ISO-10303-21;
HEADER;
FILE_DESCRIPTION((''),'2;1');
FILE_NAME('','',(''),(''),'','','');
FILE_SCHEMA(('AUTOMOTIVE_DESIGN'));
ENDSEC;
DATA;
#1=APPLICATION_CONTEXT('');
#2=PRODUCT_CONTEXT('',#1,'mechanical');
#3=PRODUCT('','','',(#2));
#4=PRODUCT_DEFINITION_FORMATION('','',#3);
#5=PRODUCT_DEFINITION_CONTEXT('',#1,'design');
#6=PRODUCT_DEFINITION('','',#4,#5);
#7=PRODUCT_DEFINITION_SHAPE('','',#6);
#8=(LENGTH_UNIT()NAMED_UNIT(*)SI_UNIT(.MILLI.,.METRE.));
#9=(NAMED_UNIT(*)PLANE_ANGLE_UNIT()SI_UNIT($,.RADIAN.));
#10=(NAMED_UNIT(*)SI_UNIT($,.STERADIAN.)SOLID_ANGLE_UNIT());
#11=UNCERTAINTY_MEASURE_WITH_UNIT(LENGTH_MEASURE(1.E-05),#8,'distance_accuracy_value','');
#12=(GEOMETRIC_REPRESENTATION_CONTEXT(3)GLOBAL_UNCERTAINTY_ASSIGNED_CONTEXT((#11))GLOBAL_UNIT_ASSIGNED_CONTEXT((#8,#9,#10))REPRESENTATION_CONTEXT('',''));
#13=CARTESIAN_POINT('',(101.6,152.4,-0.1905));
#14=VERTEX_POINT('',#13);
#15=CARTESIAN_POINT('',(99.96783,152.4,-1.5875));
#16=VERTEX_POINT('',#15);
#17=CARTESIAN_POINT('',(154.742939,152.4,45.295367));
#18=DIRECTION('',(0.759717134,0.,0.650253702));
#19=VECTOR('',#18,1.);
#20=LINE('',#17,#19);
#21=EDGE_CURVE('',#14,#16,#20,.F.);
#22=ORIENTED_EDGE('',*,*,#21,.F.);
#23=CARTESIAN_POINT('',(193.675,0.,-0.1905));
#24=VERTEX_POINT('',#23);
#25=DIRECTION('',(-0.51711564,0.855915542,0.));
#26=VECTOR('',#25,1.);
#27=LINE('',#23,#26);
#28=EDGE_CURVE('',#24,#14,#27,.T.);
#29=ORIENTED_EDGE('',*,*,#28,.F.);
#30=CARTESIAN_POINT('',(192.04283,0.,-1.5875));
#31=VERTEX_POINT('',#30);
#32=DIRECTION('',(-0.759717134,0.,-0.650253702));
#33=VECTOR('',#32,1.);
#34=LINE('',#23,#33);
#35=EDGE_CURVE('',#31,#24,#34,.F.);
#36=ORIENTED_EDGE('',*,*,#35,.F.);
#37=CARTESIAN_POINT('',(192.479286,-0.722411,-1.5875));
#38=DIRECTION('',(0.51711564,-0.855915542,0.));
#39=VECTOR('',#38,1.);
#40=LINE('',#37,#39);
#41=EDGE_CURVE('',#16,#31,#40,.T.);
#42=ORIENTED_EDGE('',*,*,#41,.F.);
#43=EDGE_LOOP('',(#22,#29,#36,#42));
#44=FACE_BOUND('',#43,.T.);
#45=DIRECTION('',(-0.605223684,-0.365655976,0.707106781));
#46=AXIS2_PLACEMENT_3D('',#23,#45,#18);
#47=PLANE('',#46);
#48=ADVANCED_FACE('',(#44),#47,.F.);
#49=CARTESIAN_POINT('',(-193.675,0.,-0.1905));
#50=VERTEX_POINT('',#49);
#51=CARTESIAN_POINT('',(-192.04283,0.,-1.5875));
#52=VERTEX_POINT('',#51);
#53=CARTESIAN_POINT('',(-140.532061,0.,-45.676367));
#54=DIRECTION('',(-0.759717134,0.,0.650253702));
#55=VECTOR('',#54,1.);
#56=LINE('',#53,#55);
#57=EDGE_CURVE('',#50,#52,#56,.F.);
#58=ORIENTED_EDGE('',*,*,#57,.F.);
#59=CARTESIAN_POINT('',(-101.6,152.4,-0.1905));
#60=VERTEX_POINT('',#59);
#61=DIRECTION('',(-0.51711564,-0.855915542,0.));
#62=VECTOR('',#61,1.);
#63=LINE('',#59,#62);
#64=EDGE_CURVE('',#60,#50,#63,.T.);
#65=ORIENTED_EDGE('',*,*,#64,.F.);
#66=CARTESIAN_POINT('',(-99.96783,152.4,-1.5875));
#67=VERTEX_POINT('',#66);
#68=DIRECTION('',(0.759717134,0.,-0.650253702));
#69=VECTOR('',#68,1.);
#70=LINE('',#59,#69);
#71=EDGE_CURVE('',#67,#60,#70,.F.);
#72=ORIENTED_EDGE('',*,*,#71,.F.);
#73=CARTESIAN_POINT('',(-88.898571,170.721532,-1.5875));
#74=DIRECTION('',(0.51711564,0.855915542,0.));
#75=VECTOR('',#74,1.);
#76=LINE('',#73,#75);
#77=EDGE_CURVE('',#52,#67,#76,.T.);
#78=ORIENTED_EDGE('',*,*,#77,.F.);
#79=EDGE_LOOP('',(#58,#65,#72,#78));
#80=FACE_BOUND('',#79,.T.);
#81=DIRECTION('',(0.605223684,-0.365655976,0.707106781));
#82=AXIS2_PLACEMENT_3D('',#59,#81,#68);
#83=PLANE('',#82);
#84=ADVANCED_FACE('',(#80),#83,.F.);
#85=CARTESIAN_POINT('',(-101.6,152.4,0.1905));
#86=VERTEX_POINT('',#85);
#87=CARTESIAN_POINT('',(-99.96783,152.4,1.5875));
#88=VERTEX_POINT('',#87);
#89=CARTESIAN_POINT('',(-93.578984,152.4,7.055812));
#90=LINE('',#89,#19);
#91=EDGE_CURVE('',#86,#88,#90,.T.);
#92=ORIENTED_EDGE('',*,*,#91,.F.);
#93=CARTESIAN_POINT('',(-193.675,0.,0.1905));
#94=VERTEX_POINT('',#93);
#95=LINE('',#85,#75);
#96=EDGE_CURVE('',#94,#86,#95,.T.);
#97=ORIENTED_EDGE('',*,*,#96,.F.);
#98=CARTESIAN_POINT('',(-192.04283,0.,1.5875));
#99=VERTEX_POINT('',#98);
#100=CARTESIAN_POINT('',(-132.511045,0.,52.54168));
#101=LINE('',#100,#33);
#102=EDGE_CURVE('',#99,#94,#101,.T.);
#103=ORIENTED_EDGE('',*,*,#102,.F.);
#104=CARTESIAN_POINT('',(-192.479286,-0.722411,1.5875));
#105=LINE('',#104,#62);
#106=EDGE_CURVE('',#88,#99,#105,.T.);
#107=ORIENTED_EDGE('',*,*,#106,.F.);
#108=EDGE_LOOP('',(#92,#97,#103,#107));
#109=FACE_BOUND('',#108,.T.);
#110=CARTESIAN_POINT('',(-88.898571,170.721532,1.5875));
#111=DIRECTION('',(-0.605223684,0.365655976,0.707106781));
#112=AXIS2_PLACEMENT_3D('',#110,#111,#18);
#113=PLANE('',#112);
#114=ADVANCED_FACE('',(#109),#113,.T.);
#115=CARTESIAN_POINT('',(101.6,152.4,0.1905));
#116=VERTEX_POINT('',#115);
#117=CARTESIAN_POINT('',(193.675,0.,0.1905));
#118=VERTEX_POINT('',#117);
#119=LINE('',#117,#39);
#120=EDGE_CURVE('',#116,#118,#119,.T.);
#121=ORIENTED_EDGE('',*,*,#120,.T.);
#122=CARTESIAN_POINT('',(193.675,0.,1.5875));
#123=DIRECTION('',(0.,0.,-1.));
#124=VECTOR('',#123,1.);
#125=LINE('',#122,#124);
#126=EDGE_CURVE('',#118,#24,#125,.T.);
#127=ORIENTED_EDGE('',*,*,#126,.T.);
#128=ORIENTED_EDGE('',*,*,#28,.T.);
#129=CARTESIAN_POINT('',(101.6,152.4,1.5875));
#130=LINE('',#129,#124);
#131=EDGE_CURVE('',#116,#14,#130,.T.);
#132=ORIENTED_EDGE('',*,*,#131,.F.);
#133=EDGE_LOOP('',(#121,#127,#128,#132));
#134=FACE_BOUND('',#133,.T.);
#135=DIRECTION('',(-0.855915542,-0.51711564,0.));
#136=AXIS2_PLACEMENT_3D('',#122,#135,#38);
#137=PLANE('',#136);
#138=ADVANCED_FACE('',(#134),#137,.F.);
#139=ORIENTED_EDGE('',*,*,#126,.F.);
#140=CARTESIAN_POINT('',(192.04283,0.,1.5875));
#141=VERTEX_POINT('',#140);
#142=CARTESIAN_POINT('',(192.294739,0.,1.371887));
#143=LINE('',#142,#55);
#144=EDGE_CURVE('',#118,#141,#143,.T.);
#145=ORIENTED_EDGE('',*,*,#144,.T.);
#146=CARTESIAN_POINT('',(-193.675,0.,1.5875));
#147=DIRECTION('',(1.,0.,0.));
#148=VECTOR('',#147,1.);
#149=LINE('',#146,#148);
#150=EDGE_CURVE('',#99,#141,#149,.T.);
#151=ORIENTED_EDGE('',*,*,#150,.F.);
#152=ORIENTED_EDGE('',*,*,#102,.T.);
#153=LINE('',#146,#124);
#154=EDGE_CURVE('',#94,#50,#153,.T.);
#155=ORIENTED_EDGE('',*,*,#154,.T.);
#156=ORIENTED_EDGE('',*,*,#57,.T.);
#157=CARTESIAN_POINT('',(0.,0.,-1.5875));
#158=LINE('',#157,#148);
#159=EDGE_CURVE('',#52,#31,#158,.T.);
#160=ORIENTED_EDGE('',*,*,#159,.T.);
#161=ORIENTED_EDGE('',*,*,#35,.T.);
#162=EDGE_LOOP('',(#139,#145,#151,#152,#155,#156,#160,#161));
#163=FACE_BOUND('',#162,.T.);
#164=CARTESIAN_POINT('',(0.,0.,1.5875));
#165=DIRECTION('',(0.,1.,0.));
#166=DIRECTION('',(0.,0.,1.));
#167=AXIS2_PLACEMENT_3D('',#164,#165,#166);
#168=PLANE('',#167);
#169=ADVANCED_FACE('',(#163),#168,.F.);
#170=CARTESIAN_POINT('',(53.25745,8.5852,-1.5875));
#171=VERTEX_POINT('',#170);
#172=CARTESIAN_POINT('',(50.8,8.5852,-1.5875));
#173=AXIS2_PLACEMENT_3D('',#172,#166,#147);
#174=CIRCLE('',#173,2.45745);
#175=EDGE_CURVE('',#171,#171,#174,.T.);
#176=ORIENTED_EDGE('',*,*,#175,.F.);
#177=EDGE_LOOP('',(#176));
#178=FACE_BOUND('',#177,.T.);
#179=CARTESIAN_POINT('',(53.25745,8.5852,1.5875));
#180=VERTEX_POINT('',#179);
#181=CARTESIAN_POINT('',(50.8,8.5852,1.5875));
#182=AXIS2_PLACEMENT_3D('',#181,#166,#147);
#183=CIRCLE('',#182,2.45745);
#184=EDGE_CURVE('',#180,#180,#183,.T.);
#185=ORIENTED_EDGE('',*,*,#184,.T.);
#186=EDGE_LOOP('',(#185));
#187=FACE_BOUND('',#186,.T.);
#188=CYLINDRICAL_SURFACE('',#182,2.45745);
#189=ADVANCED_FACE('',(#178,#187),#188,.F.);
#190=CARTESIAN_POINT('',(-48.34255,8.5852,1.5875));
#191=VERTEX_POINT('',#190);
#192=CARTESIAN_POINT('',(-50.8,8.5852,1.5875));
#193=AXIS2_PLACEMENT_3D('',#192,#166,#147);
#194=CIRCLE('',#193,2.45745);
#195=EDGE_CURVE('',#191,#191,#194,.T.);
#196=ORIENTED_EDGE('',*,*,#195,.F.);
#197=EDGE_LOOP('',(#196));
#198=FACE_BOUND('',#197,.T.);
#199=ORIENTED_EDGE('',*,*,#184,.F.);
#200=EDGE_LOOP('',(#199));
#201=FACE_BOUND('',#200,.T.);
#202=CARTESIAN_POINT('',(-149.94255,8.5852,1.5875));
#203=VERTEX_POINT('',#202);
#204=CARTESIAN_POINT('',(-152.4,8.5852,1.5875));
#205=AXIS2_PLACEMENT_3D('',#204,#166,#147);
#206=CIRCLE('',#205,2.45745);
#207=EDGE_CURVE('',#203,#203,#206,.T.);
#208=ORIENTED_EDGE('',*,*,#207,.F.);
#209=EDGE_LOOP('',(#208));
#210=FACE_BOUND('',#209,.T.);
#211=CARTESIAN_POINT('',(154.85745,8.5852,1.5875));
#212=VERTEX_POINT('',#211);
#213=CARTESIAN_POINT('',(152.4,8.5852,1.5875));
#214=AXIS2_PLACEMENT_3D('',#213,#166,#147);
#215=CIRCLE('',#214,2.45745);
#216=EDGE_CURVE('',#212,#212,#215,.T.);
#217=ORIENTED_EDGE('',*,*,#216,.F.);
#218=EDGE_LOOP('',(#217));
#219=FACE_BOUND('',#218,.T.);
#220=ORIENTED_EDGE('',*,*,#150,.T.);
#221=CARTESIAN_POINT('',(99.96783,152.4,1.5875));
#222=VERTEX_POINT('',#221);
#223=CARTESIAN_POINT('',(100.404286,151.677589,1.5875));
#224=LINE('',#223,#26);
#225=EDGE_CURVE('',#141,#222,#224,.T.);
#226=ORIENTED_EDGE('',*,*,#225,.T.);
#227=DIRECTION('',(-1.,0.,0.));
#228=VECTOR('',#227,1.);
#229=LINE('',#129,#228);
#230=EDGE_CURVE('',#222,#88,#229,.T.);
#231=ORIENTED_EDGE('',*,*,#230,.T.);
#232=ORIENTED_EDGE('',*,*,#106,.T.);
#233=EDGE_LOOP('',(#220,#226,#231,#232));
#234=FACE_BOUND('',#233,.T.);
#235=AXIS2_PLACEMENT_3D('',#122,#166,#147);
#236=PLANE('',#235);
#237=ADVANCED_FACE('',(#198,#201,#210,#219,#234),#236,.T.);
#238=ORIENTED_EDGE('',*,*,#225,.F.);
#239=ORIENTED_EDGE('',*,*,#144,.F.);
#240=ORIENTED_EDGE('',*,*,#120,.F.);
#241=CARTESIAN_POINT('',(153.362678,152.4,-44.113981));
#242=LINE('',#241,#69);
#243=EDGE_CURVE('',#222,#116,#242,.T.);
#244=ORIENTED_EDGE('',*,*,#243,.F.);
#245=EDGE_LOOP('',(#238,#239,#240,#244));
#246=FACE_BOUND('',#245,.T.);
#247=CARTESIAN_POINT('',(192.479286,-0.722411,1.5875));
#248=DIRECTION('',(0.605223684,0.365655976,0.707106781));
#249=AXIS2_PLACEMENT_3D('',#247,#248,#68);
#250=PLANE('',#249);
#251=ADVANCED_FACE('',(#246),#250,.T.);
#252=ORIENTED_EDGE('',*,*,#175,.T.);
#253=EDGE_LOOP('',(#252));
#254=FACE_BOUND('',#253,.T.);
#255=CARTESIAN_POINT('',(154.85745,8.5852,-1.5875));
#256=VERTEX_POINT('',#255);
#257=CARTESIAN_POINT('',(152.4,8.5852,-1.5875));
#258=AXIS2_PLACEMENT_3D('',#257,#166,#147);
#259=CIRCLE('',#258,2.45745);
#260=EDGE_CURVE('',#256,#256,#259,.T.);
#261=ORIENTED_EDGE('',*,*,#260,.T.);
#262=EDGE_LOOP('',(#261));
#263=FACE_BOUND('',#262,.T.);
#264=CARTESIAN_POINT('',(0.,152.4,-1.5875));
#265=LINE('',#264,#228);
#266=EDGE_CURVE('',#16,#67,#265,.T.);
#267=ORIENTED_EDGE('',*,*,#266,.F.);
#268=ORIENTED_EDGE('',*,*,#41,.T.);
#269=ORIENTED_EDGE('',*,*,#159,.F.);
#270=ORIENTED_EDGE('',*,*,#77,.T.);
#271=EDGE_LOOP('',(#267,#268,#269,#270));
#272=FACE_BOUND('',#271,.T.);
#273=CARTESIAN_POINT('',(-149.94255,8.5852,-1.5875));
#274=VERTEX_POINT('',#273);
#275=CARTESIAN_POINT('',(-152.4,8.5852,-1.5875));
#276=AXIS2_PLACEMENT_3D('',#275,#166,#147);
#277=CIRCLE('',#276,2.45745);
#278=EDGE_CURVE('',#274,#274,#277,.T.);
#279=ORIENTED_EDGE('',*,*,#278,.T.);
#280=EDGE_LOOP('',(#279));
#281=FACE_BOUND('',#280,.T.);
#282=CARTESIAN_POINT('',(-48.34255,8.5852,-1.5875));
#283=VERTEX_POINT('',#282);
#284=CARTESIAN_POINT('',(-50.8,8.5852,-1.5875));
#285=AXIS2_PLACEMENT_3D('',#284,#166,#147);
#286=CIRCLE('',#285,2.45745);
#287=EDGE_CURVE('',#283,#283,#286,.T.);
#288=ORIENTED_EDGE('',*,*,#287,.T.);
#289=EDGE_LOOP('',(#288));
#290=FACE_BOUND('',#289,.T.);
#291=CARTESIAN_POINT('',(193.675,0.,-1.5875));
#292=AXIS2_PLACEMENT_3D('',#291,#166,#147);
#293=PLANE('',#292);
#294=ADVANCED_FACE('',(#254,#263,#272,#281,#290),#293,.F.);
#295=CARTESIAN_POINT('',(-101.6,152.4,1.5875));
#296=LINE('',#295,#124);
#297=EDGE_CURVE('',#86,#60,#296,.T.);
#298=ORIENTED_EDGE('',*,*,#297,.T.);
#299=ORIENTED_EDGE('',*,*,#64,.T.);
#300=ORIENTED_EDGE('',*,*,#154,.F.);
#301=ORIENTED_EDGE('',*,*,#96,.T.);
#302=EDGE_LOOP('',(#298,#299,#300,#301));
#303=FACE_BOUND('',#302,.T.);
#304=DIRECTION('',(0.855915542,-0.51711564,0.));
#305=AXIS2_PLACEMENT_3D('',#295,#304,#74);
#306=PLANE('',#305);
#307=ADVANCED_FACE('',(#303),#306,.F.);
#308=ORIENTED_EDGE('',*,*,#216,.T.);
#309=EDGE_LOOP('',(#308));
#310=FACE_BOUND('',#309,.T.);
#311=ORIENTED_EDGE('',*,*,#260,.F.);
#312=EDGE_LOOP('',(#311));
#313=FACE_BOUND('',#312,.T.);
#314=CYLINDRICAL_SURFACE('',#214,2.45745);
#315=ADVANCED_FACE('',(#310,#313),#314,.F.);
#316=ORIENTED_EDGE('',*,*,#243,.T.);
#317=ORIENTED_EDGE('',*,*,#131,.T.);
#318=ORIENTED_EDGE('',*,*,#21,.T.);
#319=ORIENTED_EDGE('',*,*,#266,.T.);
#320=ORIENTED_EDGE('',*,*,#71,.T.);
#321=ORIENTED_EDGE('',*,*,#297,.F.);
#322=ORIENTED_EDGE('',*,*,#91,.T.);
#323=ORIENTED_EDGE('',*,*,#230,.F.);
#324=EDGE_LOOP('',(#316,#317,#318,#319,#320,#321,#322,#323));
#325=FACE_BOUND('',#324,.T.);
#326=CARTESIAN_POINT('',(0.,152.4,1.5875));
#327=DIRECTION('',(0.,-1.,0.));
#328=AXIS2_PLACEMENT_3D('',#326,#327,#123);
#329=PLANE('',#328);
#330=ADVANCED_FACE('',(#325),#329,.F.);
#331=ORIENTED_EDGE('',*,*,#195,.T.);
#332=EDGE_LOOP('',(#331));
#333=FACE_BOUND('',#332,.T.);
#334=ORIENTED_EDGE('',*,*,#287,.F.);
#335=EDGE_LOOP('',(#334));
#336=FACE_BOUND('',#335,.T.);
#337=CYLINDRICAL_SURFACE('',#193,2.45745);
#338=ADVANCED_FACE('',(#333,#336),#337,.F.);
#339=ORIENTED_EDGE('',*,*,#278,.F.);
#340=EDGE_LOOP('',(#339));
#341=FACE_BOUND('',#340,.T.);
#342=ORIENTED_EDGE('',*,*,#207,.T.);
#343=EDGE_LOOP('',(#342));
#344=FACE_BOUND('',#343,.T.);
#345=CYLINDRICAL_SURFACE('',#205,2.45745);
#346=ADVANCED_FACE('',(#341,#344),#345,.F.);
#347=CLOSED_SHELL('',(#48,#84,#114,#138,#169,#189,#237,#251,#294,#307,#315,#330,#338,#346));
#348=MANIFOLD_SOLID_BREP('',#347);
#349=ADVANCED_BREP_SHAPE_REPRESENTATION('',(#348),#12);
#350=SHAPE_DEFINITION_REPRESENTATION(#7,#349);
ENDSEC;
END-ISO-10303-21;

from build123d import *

# Parameters (mm, degrees)
EXTRUDE1_DEPTH               = 1.5875
CHAMFER1_SIZE                = 1.397
F_10_0_1935_DIAMETER_HOLE1_D = 4.9149
LPATTERN2_COUNT              = 3
LPATTERN2_PITCH              = 101.6
LPATTERN2_COL_COUNT          = 2
LPATTERN2_COL_PITCH          = 101.6


with BuildPart() as part:
    # Sketch1 → Extrude1 (new, symmetric)
    with BuildSketch(Plane.XY):
        Polygon((0, 0), (193.675, 0), (101.6, 152.4), (0, 152.4), (-101.6, 152.4), (-193.675, 0), align=None)
    extrude(amount=EXTRUDE1_DEPTH, both=True)

    # Chamfer1
    chamfer1_edges = [part.edges().sort_by_distance(p)[0] for p in [
        (147.6375, 76.2, 1.5875),
        (-147.6375, 76.2, 1.5875),
        (-147.6375, 76.2, -1.5875),
        (147.6375, 76.2, -1.5875),
    ]]
    chamfer(chamfer1_edges, length=CHAMFER1_SIZE)

    # #10 (0.1935) Diameter Hole1 (through all)
    with Locations(Plane(origin=(50.8, 8.5852, 1.5875), x_dir=(1, 0, 0), z_dir=(0, 0, 1))):
        with Locations((0, 0)):
            f_10_0_1935_diameter_hole1 = Hole(F_10_0_1935_DIAMETER_HOLE1_D / 2)

    # LPattern2: #10 (0.1935) Diameter Hole1 ×3
    with Locations(*[(-i * LPATTERN2_PITCH, 0, 0) for i in range(1, LPATTERN2_COUNT)]):
        add(f_10_0_1935_diameter_hole1, mode=Mode.SUBTRACT)

    # LPattern2 col: #10 (0.1935) Diameter Hole1 ×2
    with Locations(*[(i * LPATTERN2_COL_PITCH, 0, 0) for i in range(1, LPATTERN2_COL_COUNT)]):
        add(f_10_0_1935_diameter_hole1, mode=Mode.SUBTRACT)


solid = part.part
